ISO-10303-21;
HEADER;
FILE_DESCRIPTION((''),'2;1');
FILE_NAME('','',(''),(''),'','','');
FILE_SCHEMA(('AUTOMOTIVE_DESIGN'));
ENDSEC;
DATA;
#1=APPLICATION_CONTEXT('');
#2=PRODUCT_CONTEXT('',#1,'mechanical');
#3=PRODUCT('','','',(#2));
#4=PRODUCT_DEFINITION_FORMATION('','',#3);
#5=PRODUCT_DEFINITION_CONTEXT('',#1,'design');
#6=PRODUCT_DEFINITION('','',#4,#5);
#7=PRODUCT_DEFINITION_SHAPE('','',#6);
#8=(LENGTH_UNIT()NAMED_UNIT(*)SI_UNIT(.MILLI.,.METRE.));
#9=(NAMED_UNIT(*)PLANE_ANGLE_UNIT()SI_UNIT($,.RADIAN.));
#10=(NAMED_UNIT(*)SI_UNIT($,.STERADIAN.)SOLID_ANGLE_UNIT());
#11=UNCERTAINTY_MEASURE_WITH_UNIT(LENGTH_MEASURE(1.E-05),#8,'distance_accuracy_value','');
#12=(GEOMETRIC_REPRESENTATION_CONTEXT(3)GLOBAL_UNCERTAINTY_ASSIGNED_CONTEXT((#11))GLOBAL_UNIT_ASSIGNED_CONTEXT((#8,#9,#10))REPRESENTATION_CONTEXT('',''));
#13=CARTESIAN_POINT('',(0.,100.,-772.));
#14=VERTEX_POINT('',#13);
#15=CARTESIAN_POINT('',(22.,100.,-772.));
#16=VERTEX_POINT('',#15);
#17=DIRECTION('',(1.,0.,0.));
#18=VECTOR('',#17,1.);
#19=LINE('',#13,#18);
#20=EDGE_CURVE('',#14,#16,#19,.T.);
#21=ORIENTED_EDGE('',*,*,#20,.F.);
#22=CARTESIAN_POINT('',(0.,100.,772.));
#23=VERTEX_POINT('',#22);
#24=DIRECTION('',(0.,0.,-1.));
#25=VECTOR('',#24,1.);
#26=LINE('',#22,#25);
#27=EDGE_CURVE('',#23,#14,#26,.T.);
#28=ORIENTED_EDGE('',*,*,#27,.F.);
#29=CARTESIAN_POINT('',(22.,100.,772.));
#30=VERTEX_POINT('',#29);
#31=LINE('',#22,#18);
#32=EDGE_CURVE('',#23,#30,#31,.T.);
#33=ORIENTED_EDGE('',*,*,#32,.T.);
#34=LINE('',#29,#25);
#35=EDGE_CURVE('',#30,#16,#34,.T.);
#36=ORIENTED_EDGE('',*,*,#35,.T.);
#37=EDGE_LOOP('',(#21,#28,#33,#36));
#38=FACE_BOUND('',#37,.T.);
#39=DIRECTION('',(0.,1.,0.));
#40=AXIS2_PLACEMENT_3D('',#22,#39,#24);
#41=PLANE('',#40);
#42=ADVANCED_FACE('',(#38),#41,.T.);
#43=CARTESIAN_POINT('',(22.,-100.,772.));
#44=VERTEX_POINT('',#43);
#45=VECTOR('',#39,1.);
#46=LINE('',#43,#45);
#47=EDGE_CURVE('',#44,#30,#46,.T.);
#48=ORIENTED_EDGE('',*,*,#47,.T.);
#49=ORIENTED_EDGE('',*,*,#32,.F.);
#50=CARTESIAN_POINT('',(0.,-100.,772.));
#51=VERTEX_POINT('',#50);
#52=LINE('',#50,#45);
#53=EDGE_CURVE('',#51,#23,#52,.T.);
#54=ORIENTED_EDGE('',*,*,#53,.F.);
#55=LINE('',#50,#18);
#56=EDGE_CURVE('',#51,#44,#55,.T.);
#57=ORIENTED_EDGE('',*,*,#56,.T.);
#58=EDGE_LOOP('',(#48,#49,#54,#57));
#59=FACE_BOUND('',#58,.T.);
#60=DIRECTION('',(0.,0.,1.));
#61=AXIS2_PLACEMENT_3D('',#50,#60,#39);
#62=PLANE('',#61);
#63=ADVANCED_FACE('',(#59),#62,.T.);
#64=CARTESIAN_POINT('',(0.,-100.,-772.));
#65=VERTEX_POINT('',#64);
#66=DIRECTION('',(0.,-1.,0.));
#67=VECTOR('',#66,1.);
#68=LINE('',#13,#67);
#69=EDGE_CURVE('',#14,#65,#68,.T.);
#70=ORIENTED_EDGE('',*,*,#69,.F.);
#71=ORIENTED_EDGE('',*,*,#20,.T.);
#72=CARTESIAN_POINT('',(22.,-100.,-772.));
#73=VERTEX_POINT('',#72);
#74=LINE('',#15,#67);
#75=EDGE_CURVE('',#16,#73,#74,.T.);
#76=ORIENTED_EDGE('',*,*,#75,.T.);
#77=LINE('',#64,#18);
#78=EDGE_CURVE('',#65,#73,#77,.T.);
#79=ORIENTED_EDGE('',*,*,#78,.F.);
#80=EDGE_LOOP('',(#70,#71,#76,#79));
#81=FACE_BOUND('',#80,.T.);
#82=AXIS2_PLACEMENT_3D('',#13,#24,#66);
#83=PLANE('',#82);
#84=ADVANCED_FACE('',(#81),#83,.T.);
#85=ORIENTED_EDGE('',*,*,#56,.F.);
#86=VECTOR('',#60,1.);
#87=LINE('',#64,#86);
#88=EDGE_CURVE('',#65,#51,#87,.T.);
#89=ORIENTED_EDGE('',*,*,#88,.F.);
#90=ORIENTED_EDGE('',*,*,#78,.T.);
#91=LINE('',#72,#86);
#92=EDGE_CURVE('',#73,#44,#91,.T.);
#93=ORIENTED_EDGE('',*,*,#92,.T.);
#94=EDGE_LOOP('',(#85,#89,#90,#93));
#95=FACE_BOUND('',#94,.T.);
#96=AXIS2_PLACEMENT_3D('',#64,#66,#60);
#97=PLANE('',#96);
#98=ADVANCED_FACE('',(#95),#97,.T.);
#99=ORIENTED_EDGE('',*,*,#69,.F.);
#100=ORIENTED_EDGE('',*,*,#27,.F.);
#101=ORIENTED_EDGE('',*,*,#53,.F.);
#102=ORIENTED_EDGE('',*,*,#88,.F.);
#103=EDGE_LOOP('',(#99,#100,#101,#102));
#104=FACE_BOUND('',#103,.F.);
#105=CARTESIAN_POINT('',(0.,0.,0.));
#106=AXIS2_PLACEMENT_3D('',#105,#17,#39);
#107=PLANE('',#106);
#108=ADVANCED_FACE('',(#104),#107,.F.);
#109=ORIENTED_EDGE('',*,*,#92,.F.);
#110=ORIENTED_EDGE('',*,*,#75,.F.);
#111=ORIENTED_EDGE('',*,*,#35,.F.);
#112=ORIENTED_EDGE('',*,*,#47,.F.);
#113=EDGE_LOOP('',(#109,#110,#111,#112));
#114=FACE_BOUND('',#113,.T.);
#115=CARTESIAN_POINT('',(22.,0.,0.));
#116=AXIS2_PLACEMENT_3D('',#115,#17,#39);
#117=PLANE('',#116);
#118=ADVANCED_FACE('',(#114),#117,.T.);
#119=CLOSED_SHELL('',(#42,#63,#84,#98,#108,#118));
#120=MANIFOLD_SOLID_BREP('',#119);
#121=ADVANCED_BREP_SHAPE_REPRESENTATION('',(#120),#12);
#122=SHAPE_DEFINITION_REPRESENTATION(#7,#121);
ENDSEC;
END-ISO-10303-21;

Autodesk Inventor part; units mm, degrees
ref_plane "YZ Plane" through (0, 0, 0) normal (1, 0, 0) x (0, 1, 0)
ref_plane "XZ Plane" through (0, 0, 0) normal (0, 1, 0) x (-1, 0, 0)
ref_plane "XY Plane" through (0, 0, 0) normal (0, 0, 1) x (1, 0, 0)
sketch "Sketch1" plane through (0, 0, 0) normal (1, 0, 0) x (0, 1, 0)
  line L0 (-100, 772) -> (100, 772)
  line L1 (100, 772) -> (100, -772)
  line L2 (100, -772) -> (-100, -772)
  line L3 (-100, -772) -> (-100, 772)
  line L4 (-100, 772) -> (100, -772) construction
  line L5 (100, 772) -> (-100, -772) construction
  point P0 (0, 0)
  dimension "d0" = 200
  dimension "d1" = 1544
extrude "Extrusion1" add sketch "Sketch1" along normal blind 22
properties part number "LongSide"
